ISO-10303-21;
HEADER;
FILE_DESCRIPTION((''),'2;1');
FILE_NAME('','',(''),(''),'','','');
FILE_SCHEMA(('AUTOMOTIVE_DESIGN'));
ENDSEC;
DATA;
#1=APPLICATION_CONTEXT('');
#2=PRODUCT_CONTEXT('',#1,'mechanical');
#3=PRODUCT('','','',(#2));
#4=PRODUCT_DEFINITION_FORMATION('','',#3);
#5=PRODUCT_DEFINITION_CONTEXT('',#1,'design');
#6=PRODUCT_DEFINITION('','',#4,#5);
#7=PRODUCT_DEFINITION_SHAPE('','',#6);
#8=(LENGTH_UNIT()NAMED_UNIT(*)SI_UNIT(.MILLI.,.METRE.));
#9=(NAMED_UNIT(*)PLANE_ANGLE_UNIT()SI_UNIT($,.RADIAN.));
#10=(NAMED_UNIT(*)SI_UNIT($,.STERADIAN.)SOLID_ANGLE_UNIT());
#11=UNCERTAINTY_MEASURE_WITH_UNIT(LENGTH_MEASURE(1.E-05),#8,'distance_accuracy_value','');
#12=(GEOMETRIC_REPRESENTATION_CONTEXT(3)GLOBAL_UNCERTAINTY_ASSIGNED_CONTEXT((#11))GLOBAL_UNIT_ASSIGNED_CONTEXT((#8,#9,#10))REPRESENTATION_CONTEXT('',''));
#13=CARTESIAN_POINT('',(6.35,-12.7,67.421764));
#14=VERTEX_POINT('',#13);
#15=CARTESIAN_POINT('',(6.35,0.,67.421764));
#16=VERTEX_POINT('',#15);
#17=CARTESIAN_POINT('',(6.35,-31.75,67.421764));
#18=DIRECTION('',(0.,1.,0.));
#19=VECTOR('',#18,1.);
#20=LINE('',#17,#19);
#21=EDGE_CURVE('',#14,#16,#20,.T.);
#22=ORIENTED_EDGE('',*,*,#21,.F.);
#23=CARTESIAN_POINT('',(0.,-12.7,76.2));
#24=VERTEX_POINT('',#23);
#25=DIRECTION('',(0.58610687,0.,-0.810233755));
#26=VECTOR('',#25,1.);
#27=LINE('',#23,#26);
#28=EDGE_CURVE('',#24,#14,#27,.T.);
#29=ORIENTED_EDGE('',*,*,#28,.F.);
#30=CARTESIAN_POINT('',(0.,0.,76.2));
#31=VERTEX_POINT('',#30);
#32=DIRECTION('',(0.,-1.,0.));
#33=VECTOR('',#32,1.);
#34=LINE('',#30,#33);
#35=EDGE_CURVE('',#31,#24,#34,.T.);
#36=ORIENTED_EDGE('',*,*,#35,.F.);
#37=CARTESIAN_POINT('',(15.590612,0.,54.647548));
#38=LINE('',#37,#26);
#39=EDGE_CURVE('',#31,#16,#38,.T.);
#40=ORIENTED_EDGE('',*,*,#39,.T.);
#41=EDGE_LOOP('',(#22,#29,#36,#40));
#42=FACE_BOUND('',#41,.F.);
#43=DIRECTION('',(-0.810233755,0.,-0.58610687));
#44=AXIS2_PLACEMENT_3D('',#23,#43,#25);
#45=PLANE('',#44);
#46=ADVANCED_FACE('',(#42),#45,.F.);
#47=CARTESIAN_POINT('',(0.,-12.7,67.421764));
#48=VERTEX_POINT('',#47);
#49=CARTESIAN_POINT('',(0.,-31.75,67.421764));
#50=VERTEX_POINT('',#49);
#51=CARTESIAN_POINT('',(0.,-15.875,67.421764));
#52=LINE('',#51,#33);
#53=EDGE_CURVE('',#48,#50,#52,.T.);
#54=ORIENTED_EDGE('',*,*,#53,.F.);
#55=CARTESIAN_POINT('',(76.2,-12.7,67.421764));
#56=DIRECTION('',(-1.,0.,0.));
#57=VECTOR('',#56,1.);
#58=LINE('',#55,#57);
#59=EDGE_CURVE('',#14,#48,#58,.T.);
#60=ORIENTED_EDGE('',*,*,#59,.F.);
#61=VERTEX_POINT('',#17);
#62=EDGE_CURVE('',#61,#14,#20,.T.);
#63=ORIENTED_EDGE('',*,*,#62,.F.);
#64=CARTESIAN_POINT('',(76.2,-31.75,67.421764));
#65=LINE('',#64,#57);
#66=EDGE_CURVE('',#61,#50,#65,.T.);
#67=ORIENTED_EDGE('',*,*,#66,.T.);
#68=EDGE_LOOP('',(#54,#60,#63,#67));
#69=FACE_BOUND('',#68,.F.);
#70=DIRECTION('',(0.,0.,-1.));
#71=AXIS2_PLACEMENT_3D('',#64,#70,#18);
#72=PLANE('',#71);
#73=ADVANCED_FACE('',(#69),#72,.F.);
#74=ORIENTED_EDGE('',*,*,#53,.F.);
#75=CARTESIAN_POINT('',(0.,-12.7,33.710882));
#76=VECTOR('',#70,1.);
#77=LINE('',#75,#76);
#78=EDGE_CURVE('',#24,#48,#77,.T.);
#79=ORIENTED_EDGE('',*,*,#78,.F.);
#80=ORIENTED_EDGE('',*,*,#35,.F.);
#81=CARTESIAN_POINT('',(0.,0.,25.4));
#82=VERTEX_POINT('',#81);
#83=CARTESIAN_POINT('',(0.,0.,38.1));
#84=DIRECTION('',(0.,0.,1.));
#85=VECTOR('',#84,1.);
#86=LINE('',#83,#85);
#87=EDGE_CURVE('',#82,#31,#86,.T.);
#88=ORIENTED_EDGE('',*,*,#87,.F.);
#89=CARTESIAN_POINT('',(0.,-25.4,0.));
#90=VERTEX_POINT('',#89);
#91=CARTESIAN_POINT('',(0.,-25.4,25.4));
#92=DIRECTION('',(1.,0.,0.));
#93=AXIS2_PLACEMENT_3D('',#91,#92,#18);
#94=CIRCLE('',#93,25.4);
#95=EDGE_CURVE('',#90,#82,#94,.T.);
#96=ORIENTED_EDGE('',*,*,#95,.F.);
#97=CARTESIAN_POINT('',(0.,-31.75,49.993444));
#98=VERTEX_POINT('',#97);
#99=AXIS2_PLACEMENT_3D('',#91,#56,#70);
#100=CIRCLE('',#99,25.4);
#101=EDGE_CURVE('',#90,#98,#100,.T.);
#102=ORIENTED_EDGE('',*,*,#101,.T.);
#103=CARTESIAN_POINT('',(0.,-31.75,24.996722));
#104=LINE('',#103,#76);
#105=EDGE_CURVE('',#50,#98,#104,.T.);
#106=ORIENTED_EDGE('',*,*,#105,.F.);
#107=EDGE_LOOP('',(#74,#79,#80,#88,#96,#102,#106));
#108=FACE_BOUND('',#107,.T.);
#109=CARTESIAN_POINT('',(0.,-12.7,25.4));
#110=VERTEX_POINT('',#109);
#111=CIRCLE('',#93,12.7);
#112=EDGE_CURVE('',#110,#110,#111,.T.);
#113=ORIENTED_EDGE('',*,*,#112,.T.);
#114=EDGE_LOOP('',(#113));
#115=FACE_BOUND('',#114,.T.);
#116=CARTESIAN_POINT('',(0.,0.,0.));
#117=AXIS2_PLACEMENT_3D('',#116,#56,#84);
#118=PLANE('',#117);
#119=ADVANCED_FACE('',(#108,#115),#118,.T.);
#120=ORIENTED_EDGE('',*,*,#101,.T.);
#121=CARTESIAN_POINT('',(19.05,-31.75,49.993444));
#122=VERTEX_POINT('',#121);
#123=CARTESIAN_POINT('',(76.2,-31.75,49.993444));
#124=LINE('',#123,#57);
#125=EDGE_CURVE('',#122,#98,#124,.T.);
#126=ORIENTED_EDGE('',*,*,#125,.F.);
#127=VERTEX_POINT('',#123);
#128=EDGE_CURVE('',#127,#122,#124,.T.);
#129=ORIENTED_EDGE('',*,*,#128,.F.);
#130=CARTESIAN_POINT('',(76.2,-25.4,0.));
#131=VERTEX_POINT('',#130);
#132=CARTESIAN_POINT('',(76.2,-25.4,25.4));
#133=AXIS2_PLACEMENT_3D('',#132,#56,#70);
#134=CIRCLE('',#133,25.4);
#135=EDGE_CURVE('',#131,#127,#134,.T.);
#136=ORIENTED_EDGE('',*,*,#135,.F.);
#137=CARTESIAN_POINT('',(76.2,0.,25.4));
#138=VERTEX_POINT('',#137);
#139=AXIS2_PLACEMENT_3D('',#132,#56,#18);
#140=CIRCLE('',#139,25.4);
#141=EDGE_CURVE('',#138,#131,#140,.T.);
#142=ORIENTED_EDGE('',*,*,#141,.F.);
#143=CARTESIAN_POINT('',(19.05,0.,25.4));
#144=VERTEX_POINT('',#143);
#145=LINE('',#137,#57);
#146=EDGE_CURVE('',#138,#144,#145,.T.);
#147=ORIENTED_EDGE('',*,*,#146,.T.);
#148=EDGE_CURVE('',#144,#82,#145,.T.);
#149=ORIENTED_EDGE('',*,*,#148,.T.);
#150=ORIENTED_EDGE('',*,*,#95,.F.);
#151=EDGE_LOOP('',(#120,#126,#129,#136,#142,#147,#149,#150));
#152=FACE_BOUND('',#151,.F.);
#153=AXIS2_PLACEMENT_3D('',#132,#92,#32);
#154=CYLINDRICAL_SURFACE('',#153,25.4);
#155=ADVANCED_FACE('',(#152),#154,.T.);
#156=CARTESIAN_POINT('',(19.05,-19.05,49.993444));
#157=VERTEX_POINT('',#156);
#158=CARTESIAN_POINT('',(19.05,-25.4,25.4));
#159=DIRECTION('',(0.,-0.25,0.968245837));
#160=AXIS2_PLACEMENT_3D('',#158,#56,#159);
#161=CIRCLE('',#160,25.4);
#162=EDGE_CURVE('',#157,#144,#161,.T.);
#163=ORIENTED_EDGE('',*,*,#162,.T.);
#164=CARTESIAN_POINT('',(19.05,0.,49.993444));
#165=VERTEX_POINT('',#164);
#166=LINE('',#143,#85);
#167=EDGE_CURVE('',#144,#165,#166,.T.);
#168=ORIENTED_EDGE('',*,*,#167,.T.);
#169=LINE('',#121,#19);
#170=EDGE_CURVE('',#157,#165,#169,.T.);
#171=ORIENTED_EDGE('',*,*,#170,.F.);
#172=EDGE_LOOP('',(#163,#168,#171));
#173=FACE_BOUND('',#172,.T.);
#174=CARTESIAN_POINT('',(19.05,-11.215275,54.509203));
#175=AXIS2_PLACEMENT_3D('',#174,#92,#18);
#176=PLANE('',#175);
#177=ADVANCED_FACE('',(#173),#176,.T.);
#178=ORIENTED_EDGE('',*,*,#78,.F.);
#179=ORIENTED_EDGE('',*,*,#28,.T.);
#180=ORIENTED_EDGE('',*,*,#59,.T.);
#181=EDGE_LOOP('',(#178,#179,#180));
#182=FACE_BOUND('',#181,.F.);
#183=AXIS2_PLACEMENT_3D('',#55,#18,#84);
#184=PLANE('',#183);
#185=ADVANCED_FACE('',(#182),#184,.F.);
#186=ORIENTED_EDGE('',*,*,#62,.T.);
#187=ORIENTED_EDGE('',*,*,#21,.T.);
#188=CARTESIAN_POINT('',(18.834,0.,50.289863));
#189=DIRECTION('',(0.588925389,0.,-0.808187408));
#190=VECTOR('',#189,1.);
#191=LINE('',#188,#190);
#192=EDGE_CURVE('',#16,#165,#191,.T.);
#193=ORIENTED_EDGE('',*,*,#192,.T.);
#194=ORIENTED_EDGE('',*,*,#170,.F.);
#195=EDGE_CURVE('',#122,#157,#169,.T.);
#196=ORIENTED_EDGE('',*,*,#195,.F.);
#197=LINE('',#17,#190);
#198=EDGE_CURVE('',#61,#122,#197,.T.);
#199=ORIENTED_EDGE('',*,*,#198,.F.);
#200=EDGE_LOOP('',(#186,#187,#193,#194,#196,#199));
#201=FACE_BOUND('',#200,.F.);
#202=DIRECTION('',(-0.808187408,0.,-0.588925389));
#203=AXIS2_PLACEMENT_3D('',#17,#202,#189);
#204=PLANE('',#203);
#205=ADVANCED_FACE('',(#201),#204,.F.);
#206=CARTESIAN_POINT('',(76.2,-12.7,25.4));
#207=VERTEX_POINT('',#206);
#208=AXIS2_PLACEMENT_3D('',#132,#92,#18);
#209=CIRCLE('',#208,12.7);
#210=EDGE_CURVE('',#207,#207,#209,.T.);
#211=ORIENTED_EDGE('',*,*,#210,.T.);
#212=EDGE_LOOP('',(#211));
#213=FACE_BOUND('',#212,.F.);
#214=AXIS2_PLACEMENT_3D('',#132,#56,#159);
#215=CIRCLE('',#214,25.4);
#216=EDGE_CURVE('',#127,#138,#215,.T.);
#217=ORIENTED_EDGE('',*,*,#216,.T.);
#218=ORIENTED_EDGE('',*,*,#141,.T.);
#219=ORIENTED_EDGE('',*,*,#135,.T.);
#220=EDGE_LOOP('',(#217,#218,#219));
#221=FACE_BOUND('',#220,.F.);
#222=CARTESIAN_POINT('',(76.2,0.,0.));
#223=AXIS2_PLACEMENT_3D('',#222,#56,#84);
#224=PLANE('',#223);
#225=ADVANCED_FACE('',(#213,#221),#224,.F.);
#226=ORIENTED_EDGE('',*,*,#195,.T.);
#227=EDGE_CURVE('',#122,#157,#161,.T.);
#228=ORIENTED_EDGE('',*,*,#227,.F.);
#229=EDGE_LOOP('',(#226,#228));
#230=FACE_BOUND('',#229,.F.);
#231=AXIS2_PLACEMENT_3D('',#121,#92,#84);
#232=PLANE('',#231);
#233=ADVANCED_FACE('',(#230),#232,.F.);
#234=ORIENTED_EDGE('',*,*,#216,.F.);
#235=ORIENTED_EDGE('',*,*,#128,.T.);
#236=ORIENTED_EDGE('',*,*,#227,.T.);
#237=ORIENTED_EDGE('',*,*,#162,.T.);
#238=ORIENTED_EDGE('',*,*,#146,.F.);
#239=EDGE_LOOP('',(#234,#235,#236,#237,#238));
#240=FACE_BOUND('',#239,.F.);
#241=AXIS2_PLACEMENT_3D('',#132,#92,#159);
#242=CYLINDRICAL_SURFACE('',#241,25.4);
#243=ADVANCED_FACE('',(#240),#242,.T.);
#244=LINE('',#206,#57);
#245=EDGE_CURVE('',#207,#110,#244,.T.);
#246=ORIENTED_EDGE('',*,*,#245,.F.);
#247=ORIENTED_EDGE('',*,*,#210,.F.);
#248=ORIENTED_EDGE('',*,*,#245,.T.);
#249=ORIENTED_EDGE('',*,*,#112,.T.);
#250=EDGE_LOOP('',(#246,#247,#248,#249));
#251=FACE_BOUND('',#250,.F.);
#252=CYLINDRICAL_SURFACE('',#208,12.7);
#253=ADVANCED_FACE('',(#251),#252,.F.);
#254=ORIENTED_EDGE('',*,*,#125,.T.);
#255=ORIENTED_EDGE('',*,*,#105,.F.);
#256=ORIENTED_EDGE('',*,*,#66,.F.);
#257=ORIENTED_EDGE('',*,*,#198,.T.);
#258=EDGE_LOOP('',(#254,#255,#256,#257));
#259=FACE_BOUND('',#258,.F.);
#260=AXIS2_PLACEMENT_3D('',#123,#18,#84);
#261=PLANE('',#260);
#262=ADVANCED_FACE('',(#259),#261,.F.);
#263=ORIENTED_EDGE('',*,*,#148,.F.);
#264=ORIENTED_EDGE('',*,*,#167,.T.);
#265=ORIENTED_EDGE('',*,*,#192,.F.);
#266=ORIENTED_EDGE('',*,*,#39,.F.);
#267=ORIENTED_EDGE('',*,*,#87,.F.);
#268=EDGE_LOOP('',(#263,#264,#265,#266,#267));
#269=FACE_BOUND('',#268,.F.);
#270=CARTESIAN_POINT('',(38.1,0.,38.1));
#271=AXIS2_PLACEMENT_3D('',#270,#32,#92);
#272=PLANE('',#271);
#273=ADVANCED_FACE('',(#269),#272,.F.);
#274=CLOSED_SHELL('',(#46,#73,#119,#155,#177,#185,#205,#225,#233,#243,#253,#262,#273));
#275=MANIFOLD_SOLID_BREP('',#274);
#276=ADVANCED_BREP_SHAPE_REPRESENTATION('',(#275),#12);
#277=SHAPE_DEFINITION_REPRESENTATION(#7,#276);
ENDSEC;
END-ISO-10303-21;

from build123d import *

# Parameters (mm, degrees)
F0_W     = 76.2
F0_H     = 76.2
F1_DEPTH = 50.8
F2_R     = 12.7
F3_DEPTH = 76.201
F4_DEPTH = 57.15
F6_DEPTH = 31.751
F8_DEPTH = 12.701


with BuildPart() as f1:
    # F0 (on Front) → F1 (new body)
    with BuildSketch(Plane.XZ):
        with Locations((38.1, 38.1)):
            Rectangle(F0_W, F0_H)
    extrude(amount=F1_DEPTH)

    # F2 (on face) → F3 (cut, through all)
    with BuildSketch(Plane.YZ.offset(76.2)):
        with BuildLine():
            Line((-12.7, 67.4217641354), (-12.7, 76.2))
            Line((-12.7, 76.2), (-50.8, 76.2))
            Line((-50.8, 76.2), (-50.8, 25.4))
            ThreePointArc((-50.8, 25.4), (-45.4804631421, 40.9542598667), (-31.75, 49.9934442484))
            Line((-31.75, 49.9934442484), (-31.75, 67.4217641354))
            Line((-31.75, 67.4217641354), (-12.7, 67.4217641354))
        make_face()
        with BuildLine():
            Line((-50.8, 0), (-25.4, 0))
            ThreePointArc((-25.4, 0), (-43.3605122421, 7.4394877579), (-50.8, 25.4))
            Line((-50.8, 25.4), (-50.8, 0))
        make_face()
        with BuildLine():
            Line((0, 0), (0, 25.4))
            ThreePointArc((0, 25.4), (-7.4394877579, 7.4394877579), (-25.4, 0))
            Line((-25.4, 0), (0, 0))
        make_face()
        with Locations((-25.4, 25.4)):
            Circle(F2_R)
    extrude(amount=-F3_DEPTH, mode=Mode.SUBTRACT)

    # F2 (on face) → F4 (cut)
    with BuildSketch(Plane.YZ.offset(76.2)):
        with BuildLine():
            Line((0, 25.4), (0, 76.2))
            Line((0, 76.2), (-12.7, 76.2))
            Line((-12.7, 76.2), (-12.7, 67.4217641354))
            Line((-12.7, 67.4217641354), (-31.75, 67.4217641354))
            Line((-31.75, 67.4217641354), (-31.75, 49.9934442484))
            ThreePointArc((-31.75, 49.9934442484), (-9.8457401333, 45.4804631421), (0, 25.4))
        make_face()
    extrude(amount=-F4_DEPTH, mode=Mode.SUBTRACT)

    # F5 (on face) → F6 (cut, through all)
    with BuildSketch(Plane.XZ.offset(31.75)):
        Polygon((6.35, 67.4217641354), (19.05, 49.9934442484), (19.05, 67.4217641354), align=None)
    extrude(amount=-F6_DEPTH, mode=Mode.SUBTRACT)

    # F7 (on face) → F8 (cut, through all)
    with BuildSketch(Plane.XZ.offset(12.7)):
        Polygon((0, 76.2), (6.35, 67.4217641354), (19.05, 67.4217641354), (19.05, 76.2), align=None)
    extrude(amount=-F8_DEPTH, mode=Mode.SUBTRACT)


solid = f1.part
